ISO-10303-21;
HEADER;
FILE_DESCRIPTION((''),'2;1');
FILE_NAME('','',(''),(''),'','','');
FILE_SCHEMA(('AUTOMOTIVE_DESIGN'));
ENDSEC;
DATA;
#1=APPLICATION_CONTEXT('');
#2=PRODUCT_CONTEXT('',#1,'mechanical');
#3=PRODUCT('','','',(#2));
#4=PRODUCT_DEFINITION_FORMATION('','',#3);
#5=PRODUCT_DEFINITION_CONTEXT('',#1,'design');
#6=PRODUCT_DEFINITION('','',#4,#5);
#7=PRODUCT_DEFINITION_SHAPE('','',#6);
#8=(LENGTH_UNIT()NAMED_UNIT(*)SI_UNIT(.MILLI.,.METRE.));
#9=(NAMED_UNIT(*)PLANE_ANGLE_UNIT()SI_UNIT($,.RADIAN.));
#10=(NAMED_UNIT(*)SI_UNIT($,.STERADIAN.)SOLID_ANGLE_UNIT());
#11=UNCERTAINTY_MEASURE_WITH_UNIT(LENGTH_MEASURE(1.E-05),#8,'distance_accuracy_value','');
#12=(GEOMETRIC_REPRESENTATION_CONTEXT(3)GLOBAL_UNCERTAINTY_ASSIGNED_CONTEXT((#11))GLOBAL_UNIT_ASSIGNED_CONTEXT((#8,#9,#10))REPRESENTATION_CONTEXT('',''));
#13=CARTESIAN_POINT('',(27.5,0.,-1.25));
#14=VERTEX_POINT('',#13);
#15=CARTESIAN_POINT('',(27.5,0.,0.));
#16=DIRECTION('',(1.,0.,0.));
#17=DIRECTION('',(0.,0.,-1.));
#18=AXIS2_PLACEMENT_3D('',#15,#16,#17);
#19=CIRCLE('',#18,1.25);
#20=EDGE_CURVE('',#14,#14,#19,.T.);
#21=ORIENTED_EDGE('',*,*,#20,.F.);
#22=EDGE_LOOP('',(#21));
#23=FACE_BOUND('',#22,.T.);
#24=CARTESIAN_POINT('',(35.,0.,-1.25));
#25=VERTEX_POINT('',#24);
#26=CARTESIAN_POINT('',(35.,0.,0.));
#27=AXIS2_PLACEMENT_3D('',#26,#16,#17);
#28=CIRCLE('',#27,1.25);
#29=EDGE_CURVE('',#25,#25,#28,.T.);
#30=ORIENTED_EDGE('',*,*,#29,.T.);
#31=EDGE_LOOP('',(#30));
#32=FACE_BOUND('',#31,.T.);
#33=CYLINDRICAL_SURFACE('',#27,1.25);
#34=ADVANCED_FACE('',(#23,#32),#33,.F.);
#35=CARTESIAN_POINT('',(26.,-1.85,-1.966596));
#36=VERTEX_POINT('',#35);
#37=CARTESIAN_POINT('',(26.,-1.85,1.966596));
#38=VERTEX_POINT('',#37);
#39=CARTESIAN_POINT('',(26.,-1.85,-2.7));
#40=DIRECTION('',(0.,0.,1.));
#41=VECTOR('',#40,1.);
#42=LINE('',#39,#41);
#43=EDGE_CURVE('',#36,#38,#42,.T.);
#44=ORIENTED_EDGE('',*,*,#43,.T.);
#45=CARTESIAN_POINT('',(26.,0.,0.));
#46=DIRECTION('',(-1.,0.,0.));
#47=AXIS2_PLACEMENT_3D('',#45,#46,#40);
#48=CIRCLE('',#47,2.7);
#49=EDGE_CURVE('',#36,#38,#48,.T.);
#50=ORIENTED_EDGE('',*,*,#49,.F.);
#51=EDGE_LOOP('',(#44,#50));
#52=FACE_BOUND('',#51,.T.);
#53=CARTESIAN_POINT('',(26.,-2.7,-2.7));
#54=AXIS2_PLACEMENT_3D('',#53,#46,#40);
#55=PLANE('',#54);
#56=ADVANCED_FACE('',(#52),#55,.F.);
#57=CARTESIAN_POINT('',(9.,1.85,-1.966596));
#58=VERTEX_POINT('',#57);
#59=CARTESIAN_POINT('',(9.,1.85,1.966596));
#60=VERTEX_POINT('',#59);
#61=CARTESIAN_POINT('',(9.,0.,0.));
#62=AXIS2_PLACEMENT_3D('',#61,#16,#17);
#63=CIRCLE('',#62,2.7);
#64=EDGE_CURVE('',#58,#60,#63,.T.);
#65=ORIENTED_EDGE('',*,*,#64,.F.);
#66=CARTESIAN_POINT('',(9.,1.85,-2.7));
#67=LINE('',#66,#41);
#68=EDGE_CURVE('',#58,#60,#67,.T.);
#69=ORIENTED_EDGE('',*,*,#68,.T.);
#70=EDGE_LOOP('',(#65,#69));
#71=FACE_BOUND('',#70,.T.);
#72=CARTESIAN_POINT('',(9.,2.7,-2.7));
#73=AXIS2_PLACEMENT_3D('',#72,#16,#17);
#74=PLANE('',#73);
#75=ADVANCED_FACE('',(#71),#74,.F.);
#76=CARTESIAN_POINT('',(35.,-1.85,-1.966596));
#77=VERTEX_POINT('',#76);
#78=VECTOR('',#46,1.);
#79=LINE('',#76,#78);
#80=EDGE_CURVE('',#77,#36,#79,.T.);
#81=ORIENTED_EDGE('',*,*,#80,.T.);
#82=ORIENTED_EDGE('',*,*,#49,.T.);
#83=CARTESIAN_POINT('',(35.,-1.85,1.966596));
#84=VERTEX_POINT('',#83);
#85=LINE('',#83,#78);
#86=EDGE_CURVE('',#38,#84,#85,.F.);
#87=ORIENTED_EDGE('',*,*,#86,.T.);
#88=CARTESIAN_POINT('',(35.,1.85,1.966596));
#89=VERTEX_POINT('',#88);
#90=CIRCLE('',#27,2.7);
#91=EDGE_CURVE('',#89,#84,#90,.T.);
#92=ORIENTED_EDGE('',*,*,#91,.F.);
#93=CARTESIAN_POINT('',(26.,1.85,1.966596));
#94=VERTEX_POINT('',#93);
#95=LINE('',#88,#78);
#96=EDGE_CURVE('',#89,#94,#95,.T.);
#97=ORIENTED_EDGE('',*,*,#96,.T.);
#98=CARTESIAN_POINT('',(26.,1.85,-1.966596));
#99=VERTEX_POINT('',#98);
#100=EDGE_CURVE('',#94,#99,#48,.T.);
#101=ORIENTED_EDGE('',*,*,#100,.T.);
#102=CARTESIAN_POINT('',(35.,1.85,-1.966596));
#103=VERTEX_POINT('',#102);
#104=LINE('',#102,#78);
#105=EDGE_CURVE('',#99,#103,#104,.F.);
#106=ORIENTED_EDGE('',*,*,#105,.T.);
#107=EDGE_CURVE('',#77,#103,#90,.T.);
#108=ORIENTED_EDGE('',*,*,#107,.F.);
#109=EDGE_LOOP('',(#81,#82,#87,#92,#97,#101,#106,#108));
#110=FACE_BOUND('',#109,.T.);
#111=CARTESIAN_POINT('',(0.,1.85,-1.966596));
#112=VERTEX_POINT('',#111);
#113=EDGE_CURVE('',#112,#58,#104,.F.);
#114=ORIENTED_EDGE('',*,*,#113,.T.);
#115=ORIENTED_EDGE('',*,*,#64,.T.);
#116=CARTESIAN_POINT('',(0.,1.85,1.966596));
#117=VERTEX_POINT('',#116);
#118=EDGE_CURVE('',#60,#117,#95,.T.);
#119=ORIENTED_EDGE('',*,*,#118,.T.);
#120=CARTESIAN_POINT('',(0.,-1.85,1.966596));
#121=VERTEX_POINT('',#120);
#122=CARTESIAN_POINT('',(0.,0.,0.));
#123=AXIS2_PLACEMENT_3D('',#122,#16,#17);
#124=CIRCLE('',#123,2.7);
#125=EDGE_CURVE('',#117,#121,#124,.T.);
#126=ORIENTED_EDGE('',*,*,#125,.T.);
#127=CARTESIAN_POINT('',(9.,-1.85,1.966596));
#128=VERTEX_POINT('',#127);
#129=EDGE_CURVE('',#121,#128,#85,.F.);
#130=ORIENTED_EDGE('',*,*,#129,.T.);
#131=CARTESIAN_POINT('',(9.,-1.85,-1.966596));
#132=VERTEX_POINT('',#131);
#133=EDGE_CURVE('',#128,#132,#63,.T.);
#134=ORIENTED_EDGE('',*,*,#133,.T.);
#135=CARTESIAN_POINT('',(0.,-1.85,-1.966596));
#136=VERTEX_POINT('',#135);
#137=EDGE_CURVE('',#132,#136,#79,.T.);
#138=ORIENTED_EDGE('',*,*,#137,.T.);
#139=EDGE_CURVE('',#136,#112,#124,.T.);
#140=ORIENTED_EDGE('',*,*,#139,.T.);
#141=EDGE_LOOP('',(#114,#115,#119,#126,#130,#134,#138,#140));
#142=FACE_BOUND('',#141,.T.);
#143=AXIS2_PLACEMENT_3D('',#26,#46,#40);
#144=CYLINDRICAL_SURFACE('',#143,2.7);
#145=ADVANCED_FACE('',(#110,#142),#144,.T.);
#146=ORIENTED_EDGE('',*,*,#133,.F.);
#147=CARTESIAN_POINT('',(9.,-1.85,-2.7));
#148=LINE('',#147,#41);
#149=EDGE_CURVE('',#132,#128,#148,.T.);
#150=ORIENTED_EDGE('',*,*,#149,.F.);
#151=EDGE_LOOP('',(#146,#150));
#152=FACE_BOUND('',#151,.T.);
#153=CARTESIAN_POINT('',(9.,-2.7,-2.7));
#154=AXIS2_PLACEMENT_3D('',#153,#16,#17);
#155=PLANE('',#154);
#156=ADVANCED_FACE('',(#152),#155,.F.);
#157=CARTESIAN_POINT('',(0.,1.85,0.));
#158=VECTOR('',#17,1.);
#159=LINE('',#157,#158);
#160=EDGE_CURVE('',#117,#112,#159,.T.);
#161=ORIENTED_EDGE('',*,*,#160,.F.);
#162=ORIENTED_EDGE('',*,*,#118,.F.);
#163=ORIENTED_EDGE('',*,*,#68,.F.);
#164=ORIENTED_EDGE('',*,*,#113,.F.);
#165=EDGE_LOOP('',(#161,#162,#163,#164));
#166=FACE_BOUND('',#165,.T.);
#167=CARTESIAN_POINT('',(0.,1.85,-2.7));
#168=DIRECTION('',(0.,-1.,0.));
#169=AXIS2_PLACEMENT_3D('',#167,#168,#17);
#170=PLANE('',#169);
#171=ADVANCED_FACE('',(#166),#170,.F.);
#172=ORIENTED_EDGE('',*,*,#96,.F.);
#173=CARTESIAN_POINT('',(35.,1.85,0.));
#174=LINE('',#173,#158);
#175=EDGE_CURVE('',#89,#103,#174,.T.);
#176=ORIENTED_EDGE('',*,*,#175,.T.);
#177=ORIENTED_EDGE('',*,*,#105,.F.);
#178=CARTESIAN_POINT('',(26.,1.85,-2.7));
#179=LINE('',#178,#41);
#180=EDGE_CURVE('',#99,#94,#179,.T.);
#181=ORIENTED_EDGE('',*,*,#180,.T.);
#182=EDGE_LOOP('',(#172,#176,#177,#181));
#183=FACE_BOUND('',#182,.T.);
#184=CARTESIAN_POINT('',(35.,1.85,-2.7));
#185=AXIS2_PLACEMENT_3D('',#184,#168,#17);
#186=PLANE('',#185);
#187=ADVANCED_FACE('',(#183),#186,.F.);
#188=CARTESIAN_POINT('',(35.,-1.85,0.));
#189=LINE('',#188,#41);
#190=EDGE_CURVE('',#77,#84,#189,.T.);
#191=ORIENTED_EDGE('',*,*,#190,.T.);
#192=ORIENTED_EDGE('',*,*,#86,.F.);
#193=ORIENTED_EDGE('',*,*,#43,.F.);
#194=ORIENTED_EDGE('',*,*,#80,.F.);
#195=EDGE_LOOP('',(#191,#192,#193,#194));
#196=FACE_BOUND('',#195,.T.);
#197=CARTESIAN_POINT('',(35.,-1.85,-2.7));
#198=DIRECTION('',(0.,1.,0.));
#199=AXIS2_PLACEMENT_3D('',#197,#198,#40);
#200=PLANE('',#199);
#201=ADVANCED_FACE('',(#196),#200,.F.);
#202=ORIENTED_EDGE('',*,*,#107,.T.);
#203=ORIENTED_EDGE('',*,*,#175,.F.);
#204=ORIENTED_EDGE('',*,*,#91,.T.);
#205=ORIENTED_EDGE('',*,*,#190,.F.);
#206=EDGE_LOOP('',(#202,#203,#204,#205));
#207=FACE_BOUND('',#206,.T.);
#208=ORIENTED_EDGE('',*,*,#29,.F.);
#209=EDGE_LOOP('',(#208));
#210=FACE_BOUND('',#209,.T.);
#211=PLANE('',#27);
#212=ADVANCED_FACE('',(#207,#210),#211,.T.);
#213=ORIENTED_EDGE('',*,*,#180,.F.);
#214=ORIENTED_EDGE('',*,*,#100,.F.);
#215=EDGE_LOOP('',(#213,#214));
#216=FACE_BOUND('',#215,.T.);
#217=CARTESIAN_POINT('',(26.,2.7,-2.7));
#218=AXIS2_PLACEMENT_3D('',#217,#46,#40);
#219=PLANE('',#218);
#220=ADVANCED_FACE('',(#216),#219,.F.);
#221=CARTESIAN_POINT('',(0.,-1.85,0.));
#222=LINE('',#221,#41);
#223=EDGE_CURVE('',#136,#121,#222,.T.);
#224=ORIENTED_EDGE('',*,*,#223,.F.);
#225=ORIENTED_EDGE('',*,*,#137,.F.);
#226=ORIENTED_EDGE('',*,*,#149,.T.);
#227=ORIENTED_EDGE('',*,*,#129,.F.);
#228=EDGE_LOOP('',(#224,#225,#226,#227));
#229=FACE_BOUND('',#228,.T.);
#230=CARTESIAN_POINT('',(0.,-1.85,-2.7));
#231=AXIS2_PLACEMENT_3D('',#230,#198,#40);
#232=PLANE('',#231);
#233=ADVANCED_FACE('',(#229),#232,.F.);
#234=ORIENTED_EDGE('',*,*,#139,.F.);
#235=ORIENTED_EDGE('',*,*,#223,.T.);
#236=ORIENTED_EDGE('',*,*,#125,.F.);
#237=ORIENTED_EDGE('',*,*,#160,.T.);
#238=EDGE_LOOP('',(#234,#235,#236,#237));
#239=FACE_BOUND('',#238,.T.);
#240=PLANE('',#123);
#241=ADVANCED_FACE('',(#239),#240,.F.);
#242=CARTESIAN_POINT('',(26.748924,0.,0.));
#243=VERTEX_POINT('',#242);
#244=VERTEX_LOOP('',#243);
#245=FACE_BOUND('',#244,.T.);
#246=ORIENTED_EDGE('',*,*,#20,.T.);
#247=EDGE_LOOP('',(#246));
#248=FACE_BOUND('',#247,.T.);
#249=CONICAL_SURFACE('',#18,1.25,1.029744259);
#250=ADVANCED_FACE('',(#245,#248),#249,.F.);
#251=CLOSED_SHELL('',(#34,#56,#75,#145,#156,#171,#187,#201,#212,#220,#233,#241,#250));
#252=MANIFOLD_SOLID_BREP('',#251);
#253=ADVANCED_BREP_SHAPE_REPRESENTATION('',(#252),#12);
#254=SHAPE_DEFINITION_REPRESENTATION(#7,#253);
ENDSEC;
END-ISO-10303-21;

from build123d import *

# Parameters (mm, degrees)
SKETCH1_R               = 2.7
BOSS_EXTRUDE1_DEPTH     = 35
CUT_EXTRUDE1_DEPTH      = 36.207669619
CUT_EXTRUDE1_DEPTH_BACK = 36.207669619
SKETCH2_W               = 9
SKETCH2_H               = 0.85
M3_TAPPED_HOLE1_D       = 2.5
M3_TAPPED_HOLE1_DEPTH   = 7.5
M3_TAPPED_HOLE1_TIP     = 0.751075774


with BuildPart() as part:
    # Sketch1 → Boss-Extrude1 (new body)
    with BuildSketch(Plane(origin=(0, 0, 0), x_dir=(0, 0, -1), z_dir=(1, 0, 0))):
        Circle(SKETCH1_R)
    extrude(amount=BOSS_EXTRUDE1_DEPTH)

    # Sketch2 → Cut-Extrude1 (cut, two sides: drawn at the far end of the back side and taken through both)
    with BuildSketch(Plane.XY.offset(-CUT_EXTRUDE1_DEPTH_BACK)):
        with Locations((30.5, 2.275)):
            Rectangle(SKETCH2_W, SKETCH2_H)
        with Locations((30.5, -2.275)):
            Rectangle(SKETCH2_W, SKETCH2_H)
        with Locations((4.5, -2.275)):
            Rectangle(SKETCH2_W, SKETCH2_H)
        with Locations((4.5, 2.275)):
            Rectangle(SKETCH2_W, SKETCH2_H)
    extrude(amount=CUT_EXTRUDE1_DEPTH + CUT_EXTRUDE1_DEPTH_BACK, mode=Mode.SUBTRACT)

    # M3 Tapped Hole1
    with Locations(Plane(origin=(35, 0, 0), x_dir=(0, 0, -1), z_dir=(1, 0, 0))):
        with Locations((0, 0)):
            Hole(M3_TAPPED_HOLE1_D / 2, depth=M3_TAPPED_HOLE1_DEPTH)
            with Locations((0, 0, -(M3_TAPPED_HOLE1_DEPTH + M3_TAPPED_HOLE1_TIP / 2))):  # 118° drill point
                Cone(0, M3_TAPPED_HOLE1_D / 2, M3_TAPPED_HOLE1_TIP, mode=Mode.SUBTRACT)


solid = part.part
